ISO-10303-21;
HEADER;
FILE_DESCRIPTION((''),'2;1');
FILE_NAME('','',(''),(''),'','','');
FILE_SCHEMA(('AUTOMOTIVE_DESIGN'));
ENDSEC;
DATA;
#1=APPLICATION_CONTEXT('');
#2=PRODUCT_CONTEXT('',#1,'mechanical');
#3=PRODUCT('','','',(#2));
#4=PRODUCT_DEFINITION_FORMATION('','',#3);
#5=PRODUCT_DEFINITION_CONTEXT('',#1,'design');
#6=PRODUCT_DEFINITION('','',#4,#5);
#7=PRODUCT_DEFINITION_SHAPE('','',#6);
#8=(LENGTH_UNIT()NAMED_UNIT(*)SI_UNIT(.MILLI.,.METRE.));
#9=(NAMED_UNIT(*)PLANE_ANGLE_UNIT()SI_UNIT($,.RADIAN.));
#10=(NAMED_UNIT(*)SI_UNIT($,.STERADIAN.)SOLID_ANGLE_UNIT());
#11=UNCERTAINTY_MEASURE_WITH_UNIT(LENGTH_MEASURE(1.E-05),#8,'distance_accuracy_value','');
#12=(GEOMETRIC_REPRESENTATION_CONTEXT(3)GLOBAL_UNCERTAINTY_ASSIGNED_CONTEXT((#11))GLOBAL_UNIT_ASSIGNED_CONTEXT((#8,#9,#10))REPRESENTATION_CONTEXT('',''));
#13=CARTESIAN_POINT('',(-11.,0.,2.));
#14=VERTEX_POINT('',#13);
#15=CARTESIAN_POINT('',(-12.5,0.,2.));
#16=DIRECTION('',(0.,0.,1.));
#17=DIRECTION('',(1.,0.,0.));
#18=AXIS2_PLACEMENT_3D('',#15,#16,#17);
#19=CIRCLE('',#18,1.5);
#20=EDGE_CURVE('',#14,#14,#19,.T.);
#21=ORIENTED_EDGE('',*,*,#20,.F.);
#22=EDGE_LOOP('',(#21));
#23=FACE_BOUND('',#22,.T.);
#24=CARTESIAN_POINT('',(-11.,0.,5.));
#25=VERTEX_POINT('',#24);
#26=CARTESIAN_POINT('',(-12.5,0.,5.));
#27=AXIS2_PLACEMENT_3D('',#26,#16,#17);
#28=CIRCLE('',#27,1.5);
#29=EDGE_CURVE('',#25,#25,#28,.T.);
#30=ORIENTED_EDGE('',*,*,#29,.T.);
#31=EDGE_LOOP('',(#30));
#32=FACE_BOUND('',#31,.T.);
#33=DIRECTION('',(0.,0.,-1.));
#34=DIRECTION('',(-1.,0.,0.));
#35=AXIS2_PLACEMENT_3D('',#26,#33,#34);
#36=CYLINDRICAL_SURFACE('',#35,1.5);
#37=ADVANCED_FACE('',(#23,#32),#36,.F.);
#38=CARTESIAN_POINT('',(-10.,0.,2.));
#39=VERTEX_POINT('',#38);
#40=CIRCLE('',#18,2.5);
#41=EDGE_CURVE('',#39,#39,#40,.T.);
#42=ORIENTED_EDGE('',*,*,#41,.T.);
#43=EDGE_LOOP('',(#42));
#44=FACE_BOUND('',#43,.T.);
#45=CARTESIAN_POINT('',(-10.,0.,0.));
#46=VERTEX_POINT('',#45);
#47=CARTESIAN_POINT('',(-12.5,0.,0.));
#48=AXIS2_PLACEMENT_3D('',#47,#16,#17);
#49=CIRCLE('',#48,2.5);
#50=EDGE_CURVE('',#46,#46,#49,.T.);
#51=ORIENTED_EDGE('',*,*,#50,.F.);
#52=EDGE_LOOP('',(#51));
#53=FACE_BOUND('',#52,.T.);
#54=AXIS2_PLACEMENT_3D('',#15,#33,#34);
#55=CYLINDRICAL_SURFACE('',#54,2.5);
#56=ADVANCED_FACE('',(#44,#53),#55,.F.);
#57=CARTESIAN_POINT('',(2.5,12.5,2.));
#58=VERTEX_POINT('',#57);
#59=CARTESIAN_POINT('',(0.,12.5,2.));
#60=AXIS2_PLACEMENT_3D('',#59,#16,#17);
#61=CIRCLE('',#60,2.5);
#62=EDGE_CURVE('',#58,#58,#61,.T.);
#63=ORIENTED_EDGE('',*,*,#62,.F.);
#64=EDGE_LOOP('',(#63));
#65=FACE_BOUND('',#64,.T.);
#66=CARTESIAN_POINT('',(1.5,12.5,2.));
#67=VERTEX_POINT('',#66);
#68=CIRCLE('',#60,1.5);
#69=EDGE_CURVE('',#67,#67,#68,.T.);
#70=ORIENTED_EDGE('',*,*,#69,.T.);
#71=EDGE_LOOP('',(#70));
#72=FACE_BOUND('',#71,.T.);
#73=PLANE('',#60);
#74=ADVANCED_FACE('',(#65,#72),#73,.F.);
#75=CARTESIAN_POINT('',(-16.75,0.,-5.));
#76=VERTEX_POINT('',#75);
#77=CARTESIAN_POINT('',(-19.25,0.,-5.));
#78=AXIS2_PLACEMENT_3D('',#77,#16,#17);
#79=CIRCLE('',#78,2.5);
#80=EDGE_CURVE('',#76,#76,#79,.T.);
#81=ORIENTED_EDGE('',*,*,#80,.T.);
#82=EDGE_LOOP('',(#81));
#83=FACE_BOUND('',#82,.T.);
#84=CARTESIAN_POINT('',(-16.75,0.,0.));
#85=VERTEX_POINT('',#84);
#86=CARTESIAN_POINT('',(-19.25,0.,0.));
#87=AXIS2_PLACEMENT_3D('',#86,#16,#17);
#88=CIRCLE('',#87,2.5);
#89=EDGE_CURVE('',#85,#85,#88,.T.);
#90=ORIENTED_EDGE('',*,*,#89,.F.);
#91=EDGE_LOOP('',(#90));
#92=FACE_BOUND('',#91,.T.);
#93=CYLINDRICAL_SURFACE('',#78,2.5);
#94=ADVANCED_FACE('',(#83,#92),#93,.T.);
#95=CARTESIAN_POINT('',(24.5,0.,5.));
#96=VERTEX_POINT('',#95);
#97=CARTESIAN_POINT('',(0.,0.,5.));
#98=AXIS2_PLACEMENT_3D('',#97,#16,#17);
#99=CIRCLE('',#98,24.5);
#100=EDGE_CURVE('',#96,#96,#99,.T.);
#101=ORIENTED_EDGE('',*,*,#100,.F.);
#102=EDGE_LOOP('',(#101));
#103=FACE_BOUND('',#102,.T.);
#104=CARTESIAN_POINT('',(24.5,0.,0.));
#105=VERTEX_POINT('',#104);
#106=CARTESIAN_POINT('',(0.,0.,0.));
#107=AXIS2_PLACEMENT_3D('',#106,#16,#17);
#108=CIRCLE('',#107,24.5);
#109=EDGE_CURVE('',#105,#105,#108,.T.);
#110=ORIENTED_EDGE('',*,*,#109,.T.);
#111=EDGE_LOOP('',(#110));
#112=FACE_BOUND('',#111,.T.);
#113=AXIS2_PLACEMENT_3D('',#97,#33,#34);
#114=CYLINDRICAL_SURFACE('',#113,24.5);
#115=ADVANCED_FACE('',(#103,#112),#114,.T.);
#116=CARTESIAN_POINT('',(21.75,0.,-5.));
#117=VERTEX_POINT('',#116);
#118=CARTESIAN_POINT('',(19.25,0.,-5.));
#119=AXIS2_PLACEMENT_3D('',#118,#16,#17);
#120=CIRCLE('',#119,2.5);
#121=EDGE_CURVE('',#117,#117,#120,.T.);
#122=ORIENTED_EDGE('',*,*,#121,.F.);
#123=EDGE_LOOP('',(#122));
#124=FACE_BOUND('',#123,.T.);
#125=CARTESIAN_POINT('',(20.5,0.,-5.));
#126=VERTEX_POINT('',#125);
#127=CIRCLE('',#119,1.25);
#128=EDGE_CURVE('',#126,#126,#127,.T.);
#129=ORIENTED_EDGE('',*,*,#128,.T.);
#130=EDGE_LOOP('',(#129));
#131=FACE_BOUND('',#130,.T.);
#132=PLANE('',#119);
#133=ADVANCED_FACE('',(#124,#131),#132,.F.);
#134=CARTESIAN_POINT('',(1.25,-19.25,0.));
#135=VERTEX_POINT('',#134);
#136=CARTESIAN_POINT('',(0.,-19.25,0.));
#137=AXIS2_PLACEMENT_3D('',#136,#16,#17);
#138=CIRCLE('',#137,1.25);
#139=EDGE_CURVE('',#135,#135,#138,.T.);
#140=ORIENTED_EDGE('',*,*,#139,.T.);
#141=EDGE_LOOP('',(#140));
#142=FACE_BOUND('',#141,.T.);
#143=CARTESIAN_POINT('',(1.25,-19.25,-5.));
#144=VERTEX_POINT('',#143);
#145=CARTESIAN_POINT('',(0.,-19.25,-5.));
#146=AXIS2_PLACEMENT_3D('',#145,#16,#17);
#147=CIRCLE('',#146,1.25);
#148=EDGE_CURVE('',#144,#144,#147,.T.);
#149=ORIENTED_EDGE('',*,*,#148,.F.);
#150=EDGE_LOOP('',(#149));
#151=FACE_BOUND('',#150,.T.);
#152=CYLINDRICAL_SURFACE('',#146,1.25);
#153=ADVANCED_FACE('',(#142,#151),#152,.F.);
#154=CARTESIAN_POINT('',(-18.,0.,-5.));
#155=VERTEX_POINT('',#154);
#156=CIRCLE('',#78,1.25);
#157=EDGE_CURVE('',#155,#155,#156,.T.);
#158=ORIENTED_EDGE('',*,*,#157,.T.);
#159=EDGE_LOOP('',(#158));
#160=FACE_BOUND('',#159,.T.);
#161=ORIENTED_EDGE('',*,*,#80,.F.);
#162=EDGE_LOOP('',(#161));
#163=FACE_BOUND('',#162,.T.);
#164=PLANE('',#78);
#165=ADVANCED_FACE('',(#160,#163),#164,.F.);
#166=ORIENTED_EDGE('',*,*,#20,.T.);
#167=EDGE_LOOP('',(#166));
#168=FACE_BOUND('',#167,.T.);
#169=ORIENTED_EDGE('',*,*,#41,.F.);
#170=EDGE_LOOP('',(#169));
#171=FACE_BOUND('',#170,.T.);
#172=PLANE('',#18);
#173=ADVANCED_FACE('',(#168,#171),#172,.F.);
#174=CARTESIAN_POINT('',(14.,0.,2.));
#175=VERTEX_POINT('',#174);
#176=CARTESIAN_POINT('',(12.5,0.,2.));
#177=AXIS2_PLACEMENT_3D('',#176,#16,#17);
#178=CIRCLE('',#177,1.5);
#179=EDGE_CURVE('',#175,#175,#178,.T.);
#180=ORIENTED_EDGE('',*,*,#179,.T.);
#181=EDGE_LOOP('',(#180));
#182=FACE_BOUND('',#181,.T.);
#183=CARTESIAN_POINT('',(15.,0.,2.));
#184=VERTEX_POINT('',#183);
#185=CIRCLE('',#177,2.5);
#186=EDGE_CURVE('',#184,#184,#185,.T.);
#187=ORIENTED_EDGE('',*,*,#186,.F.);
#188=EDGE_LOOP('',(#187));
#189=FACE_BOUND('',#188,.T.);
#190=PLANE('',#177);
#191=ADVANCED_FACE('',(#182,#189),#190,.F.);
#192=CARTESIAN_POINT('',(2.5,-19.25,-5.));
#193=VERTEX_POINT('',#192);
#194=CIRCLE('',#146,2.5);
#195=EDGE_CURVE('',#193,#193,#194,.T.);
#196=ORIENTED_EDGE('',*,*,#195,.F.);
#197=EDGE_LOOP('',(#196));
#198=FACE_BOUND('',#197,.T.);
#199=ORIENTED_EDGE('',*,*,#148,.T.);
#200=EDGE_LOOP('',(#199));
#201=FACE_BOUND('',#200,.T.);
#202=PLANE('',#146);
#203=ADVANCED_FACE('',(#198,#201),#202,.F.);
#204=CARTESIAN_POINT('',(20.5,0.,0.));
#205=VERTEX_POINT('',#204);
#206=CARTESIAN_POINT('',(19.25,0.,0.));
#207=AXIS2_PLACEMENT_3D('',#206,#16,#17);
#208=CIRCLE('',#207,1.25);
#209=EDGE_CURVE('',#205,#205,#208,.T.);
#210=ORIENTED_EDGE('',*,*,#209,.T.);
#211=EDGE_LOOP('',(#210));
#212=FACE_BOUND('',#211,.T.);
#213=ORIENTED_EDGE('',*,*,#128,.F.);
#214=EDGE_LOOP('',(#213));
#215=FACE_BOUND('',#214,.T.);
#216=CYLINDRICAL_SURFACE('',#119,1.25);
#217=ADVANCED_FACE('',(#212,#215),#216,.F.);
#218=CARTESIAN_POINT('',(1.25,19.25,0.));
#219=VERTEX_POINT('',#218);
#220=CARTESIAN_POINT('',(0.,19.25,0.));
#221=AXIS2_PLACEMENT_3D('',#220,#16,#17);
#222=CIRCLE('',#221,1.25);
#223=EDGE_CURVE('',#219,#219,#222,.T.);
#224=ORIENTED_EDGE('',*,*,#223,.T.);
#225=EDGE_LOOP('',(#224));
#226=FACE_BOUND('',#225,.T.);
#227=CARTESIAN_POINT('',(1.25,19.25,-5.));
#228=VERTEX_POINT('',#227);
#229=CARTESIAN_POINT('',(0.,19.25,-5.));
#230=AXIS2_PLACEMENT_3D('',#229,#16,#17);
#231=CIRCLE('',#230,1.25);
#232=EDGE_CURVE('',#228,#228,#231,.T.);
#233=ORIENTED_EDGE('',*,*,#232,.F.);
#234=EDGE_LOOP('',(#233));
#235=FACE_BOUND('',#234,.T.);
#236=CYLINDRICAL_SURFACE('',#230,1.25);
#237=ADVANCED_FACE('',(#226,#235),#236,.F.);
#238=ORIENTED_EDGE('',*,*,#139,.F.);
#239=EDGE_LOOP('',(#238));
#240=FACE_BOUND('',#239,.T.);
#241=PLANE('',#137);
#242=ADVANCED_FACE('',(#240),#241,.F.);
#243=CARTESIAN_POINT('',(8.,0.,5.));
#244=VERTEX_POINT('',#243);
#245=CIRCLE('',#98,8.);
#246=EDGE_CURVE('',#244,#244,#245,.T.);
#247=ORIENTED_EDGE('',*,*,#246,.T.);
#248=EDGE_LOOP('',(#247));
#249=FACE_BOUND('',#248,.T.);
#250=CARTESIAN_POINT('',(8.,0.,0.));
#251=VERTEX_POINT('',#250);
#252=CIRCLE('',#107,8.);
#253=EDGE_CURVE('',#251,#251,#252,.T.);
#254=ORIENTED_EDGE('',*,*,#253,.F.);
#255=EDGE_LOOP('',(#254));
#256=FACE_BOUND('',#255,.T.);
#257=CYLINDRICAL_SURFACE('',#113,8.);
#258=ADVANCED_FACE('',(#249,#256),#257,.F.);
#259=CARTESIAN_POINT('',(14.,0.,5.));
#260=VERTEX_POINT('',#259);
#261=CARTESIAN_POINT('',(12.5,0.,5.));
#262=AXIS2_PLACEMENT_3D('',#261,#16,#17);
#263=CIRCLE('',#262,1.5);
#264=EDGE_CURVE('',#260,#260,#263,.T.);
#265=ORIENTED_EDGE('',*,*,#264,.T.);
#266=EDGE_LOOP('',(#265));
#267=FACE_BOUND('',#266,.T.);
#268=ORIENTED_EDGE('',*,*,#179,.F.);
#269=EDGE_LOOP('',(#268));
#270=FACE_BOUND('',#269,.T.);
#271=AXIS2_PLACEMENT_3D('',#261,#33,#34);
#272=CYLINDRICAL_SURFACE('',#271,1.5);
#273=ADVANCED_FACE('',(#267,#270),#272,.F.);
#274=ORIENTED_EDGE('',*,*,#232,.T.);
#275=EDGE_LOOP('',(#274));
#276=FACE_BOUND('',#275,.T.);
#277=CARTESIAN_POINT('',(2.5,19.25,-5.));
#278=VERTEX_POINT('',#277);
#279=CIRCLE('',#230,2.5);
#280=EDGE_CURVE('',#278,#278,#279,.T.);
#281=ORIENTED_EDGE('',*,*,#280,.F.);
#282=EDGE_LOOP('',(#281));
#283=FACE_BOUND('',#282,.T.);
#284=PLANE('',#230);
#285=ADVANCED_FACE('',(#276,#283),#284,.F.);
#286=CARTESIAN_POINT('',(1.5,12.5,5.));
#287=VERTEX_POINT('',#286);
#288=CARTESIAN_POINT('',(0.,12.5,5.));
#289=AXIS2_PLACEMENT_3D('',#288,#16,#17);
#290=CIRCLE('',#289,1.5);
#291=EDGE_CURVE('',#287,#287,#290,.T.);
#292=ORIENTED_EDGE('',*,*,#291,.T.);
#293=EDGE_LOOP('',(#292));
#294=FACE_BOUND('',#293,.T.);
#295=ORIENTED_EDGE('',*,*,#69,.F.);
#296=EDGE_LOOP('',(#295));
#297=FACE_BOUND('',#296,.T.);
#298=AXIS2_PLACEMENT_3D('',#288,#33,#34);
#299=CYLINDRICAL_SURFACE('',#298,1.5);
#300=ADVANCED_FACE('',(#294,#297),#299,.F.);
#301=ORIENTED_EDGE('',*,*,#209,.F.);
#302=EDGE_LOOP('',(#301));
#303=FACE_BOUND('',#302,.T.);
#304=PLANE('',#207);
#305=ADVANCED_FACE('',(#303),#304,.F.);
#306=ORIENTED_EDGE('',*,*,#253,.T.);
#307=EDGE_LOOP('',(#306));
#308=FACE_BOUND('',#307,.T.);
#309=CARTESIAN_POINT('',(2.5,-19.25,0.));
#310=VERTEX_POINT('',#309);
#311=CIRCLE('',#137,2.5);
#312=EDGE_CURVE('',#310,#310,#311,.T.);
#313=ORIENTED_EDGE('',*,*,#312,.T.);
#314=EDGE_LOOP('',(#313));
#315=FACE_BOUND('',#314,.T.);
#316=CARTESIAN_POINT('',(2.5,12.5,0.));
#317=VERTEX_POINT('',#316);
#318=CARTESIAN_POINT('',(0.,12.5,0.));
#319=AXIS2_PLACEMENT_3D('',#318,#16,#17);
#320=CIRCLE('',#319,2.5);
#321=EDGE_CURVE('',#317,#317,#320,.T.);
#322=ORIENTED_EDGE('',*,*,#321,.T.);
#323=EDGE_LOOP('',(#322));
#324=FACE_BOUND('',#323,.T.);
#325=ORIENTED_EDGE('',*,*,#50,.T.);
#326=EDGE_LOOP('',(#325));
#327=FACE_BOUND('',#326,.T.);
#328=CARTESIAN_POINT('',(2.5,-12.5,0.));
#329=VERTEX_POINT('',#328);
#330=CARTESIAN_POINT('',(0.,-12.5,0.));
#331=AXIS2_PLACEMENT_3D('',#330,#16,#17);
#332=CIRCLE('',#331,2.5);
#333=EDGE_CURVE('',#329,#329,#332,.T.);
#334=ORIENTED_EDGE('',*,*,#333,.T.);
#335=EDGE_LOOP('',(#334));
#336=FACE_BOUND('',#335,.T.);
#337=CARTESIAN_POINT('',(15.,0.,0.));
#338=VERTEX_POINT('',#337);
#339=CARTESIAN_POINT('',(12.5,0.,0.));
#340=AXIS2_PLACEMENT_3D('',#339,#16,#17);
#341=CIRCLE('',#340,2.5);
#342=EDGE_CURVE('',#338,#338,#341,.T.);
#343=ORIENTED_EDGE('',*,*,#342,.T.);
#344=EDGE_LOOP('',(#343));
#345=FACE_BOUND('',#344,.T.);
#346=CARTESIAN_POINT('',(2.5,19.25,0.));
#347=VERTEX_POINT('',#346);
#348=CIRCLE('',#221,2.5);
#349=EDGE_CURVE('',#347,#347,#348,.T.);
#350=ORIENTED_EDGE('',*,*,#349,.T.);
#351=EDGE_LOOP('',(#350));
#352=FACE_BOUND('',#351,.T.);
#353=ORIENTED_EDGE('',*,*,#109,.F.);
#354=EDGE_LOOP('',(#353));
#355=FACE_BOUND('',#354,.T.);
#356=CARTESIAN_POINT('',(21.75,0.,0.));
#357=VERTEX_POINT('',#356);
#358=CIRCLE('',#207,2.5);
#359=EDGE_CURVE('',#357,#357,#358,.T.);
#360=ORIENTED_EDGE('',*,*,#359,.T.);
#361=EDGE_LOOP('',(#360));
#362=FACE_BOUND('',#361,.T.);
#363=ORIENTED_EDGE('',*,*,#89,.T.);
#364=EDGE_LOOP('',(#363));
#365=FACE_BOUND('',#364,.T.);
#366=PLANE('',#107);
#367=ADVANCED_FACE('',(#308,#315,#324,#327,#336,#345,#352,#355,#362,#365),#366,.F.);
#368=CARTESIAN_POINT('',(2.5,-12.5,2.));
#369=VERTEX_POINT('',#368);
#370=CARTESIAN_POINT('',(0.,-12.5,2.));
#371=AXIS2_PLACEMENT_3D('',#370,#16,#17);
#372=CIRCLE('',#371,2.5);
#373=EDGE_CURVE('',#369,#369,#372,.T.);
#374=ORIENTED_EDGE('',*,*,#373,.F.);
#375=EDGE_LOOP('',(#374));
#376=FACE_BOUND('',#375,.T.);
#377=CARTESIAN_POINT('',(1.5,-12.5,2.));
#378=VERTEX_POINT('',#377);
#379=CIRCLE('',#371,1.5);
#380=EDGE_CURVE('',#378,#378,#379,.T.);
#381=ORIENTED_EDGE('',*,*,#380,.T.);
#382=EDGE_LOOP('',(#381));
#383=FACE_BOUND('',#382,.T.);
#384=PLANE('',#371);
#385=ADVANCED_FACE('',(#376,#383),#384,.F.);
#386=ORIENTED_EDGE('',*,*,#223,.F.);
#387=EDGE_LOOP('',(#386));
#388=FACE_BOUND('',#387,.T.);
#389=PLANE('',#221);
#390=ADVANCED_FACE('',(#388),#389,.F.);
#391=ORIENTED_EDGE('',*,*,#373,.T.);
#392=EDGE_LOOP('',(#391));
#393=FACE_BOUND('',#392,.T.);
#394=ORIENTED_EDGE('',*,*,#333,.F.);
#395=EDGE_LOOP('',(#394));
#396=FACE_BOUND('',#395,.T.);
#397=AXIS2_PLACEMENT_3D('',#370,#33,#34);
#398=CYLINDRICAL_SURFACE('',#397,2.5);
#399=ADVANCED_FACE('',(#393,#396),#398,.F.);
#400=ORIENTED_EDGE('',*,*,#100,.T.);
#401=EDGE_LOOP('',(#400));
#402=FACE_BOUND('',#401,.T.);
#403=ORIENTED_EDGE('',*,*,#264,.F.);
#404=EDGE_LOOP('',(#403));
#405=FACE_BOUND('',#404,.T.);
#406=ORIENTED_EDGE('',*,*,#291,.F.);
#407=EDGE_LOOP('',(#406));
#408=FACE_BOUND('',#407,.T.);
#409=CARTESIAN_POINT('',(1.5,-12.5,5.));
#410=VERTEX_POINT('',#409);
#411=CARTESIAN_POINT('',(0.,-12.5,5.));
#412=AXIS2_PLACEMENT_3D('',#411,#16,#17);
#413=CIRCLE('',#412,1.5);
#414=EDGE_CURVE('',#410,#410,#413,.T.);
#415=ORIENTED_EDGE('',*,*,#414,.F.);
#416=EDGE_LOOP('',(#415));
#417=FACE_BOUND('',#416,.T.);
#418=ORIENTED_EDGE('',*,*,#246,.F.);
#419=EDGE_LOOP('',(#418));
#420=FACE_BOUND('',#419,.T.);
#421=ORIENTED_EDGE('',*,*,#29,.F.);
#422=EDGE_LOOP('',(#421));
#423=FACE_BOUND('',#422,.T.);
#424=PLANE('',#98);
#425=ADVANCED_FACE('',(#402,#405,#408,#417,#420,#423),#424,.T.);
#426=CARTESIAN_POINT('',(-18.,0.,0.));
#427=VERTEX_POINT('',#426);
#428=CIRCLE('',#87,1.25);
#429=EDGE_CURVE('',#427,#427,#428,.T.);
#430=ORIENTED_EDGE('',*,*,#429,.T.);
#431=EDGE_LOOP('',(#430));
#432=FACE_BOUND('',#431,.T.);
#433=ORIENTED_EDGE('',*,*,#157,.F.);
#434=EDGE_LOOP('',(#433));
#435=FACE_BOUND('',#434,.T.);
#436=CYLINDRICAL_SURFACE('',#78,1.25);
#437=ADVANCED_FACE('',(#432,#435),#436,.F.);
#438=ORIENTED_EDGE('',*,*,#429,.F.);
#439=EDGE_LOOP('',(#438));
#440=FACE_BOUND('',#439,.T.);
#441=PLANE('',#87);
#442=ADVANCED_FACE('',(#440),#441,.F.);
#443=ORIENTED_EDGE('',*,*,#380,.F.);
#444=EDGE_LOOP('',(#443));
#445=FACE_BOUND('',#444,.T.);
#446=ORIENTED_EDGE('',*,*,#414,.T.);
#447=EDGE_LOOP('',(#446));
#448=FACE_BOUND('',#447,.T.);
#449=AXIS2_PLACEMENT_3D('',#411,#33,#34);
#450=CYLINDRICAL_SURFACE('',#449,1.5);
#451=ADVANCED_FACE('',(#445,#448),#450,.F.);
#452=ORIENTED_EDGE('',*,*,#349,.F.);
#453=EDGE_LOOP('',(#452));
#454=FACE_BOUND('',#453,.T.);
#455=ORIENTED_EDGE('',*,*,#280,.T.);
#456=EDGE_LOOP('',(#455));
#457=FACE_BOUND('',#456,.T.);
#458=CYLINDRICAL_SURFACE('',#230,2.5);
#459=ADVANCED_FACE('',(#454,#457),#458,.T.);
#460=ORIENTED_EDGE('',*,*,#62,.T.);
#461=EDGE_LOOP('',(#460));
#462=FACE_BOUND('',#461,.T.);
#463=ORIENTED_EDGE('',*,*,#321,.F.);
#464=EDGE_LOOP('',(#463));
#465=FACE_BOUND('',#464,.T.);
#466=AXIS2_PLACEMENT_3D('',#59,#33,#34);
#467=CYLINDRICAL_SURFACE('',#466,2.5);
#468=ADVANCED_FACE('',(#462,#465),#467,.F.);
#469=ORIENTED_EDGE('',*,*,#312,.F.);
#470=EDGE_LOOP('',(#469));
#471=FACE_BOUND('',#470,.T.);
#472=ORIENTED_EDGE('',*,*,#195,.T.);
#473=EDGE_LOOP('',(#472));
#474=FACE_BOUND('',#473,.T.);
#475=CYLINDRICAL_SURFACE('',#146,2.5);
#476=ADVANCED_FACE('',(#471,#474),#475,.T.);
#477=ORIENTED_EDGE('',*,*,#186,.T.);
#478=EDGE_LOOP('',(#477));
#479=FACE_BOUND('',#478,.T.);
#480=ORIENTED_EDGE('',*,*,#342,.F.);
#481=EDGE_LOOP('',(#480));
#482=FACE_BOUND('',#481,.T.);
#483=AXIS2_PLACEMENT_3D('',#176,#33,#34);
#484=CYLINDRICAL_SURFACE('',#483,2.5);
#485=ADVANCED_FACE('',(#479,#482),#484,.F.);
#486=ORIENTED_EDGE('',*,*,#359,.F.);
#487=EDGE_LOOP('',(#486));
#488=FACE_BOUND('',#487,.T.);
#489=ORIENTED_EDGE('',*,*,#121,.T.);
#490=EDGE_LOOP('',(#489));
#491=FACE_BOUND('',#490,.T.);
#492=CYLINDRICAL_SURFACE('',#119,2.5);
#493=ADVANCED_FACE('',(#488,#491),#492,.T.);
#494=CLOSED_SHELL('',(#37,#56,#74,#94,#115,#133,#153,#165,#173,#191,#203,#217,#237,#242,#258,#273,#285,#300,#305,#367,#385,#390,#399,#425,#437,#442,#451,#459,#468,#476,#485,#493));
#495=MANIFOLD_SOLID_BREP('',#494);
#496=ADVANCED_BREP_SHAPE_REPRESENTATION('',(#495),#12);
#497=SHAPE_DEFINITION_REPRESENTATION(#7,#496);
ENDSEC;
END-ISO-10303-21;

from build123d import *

# Parameters (mm, degrees)
SKETCH_1_R          = 24.5
SKETCH_1_R_2        = 1.5
EXTRUDE_1_DEPTH     = 5
SKETCH_2_R          = 2.5
EXTRUDE_2_DEPTH     = 5
SKETCH_4_R          = 1.25
CUT_EXTRUDE_1_DEPTH = 5
SKETCH_5_R          = 8
CUT_EXTRUDE_2_DEPTH = 5
SKETCH_6_R          = 2.5
CUT_EXTRUDE_3_DEPTH = 2


with BuildPart() as part:
    # 草图1 → 凸台-拉伸1 (new body)
    with BuildSketch(Plane.XY):
        Circle(SKETCH_1_R)
        with Locations((0, 12.5)):
            Circle(SKETCH_1_R_2, mode=Mode.SUBTRACT)
        with Locations((12.5, 0)):
            Circle(SKETCH_1_R_2, mode=Mode.SUBTRACT)
        with Locations((0, -12.5)):
            Circle(SKETCH_1_R_2, mode=Mode.SUBTRACT)
        with Locations((-12.5, 0)):
            Circle(SKETCH_1_R_2, mode=Mode.SUBTRACT)
    extrude(amount=EXTRUDE_1_DEPTH)

    # 草图2 → 凸台-拉伸2 (add)
    with BuildSketch(Plane.XY):
        with Locations((0, 19.25)):
            Circle(SKETCH_2_R)
        with Locations((19.25, 0)):
            Circle(SKETCH_2_R)
        with Locations((0, -19.25)):
            Circle(SKETCH_2_R)
        with Locations((-19.25, 0)):
            Circle(SKETCH_2_R)
    extrude(amount=-EXTRUDE_2_DEPTH)

    # 草图4 → 切除-拉伸1 (cut)
    with BuildSketch(Plane.XY):
        with Locations((0, 19.25)):
            Circle(SKETCH_4_R)
        with Locations((19.25, 0)):
            Circle(SKETCH_4_R)
        with Locations((0, -19.25)):
            Circle(SKETCH_4_R)
        with Locations((-19.25, 0)):
            Circle(SKETCH_4_R)
    extrude(amount=-CUT_EXTRUDE_1_DEPTH, mode=Mode.SUBTRACT)

    # 草图5 → 切除-拉伸2 (cut)
    with BuildSketch(Plane.XY):
        Circle(SKETCH_5_R)
    extrude(amount=CUT_EXTRUDE_2_DEPTH, mode=Mode.SUBTRACT)

    # 草图6 → 切除-拉伸3 (cut)
    with BuildSketch(Plane.XY):
        with Locations((0, 12.5)):
            Circle(SKETCH_6_R)
        with Locations((12.5, 0)):
            Circle(SKETCH_6_R)
        with Locations((0, -12.5)):
            Circle(SKETCH_6_R)
        with Locations((-12.5, 0)):
            Circle(SKETCH_6_R)
    extrude(amount=CUT_EXTRUDE_3_DEPTH, mode=Mode.SUBTRACT)


solid = part.part
